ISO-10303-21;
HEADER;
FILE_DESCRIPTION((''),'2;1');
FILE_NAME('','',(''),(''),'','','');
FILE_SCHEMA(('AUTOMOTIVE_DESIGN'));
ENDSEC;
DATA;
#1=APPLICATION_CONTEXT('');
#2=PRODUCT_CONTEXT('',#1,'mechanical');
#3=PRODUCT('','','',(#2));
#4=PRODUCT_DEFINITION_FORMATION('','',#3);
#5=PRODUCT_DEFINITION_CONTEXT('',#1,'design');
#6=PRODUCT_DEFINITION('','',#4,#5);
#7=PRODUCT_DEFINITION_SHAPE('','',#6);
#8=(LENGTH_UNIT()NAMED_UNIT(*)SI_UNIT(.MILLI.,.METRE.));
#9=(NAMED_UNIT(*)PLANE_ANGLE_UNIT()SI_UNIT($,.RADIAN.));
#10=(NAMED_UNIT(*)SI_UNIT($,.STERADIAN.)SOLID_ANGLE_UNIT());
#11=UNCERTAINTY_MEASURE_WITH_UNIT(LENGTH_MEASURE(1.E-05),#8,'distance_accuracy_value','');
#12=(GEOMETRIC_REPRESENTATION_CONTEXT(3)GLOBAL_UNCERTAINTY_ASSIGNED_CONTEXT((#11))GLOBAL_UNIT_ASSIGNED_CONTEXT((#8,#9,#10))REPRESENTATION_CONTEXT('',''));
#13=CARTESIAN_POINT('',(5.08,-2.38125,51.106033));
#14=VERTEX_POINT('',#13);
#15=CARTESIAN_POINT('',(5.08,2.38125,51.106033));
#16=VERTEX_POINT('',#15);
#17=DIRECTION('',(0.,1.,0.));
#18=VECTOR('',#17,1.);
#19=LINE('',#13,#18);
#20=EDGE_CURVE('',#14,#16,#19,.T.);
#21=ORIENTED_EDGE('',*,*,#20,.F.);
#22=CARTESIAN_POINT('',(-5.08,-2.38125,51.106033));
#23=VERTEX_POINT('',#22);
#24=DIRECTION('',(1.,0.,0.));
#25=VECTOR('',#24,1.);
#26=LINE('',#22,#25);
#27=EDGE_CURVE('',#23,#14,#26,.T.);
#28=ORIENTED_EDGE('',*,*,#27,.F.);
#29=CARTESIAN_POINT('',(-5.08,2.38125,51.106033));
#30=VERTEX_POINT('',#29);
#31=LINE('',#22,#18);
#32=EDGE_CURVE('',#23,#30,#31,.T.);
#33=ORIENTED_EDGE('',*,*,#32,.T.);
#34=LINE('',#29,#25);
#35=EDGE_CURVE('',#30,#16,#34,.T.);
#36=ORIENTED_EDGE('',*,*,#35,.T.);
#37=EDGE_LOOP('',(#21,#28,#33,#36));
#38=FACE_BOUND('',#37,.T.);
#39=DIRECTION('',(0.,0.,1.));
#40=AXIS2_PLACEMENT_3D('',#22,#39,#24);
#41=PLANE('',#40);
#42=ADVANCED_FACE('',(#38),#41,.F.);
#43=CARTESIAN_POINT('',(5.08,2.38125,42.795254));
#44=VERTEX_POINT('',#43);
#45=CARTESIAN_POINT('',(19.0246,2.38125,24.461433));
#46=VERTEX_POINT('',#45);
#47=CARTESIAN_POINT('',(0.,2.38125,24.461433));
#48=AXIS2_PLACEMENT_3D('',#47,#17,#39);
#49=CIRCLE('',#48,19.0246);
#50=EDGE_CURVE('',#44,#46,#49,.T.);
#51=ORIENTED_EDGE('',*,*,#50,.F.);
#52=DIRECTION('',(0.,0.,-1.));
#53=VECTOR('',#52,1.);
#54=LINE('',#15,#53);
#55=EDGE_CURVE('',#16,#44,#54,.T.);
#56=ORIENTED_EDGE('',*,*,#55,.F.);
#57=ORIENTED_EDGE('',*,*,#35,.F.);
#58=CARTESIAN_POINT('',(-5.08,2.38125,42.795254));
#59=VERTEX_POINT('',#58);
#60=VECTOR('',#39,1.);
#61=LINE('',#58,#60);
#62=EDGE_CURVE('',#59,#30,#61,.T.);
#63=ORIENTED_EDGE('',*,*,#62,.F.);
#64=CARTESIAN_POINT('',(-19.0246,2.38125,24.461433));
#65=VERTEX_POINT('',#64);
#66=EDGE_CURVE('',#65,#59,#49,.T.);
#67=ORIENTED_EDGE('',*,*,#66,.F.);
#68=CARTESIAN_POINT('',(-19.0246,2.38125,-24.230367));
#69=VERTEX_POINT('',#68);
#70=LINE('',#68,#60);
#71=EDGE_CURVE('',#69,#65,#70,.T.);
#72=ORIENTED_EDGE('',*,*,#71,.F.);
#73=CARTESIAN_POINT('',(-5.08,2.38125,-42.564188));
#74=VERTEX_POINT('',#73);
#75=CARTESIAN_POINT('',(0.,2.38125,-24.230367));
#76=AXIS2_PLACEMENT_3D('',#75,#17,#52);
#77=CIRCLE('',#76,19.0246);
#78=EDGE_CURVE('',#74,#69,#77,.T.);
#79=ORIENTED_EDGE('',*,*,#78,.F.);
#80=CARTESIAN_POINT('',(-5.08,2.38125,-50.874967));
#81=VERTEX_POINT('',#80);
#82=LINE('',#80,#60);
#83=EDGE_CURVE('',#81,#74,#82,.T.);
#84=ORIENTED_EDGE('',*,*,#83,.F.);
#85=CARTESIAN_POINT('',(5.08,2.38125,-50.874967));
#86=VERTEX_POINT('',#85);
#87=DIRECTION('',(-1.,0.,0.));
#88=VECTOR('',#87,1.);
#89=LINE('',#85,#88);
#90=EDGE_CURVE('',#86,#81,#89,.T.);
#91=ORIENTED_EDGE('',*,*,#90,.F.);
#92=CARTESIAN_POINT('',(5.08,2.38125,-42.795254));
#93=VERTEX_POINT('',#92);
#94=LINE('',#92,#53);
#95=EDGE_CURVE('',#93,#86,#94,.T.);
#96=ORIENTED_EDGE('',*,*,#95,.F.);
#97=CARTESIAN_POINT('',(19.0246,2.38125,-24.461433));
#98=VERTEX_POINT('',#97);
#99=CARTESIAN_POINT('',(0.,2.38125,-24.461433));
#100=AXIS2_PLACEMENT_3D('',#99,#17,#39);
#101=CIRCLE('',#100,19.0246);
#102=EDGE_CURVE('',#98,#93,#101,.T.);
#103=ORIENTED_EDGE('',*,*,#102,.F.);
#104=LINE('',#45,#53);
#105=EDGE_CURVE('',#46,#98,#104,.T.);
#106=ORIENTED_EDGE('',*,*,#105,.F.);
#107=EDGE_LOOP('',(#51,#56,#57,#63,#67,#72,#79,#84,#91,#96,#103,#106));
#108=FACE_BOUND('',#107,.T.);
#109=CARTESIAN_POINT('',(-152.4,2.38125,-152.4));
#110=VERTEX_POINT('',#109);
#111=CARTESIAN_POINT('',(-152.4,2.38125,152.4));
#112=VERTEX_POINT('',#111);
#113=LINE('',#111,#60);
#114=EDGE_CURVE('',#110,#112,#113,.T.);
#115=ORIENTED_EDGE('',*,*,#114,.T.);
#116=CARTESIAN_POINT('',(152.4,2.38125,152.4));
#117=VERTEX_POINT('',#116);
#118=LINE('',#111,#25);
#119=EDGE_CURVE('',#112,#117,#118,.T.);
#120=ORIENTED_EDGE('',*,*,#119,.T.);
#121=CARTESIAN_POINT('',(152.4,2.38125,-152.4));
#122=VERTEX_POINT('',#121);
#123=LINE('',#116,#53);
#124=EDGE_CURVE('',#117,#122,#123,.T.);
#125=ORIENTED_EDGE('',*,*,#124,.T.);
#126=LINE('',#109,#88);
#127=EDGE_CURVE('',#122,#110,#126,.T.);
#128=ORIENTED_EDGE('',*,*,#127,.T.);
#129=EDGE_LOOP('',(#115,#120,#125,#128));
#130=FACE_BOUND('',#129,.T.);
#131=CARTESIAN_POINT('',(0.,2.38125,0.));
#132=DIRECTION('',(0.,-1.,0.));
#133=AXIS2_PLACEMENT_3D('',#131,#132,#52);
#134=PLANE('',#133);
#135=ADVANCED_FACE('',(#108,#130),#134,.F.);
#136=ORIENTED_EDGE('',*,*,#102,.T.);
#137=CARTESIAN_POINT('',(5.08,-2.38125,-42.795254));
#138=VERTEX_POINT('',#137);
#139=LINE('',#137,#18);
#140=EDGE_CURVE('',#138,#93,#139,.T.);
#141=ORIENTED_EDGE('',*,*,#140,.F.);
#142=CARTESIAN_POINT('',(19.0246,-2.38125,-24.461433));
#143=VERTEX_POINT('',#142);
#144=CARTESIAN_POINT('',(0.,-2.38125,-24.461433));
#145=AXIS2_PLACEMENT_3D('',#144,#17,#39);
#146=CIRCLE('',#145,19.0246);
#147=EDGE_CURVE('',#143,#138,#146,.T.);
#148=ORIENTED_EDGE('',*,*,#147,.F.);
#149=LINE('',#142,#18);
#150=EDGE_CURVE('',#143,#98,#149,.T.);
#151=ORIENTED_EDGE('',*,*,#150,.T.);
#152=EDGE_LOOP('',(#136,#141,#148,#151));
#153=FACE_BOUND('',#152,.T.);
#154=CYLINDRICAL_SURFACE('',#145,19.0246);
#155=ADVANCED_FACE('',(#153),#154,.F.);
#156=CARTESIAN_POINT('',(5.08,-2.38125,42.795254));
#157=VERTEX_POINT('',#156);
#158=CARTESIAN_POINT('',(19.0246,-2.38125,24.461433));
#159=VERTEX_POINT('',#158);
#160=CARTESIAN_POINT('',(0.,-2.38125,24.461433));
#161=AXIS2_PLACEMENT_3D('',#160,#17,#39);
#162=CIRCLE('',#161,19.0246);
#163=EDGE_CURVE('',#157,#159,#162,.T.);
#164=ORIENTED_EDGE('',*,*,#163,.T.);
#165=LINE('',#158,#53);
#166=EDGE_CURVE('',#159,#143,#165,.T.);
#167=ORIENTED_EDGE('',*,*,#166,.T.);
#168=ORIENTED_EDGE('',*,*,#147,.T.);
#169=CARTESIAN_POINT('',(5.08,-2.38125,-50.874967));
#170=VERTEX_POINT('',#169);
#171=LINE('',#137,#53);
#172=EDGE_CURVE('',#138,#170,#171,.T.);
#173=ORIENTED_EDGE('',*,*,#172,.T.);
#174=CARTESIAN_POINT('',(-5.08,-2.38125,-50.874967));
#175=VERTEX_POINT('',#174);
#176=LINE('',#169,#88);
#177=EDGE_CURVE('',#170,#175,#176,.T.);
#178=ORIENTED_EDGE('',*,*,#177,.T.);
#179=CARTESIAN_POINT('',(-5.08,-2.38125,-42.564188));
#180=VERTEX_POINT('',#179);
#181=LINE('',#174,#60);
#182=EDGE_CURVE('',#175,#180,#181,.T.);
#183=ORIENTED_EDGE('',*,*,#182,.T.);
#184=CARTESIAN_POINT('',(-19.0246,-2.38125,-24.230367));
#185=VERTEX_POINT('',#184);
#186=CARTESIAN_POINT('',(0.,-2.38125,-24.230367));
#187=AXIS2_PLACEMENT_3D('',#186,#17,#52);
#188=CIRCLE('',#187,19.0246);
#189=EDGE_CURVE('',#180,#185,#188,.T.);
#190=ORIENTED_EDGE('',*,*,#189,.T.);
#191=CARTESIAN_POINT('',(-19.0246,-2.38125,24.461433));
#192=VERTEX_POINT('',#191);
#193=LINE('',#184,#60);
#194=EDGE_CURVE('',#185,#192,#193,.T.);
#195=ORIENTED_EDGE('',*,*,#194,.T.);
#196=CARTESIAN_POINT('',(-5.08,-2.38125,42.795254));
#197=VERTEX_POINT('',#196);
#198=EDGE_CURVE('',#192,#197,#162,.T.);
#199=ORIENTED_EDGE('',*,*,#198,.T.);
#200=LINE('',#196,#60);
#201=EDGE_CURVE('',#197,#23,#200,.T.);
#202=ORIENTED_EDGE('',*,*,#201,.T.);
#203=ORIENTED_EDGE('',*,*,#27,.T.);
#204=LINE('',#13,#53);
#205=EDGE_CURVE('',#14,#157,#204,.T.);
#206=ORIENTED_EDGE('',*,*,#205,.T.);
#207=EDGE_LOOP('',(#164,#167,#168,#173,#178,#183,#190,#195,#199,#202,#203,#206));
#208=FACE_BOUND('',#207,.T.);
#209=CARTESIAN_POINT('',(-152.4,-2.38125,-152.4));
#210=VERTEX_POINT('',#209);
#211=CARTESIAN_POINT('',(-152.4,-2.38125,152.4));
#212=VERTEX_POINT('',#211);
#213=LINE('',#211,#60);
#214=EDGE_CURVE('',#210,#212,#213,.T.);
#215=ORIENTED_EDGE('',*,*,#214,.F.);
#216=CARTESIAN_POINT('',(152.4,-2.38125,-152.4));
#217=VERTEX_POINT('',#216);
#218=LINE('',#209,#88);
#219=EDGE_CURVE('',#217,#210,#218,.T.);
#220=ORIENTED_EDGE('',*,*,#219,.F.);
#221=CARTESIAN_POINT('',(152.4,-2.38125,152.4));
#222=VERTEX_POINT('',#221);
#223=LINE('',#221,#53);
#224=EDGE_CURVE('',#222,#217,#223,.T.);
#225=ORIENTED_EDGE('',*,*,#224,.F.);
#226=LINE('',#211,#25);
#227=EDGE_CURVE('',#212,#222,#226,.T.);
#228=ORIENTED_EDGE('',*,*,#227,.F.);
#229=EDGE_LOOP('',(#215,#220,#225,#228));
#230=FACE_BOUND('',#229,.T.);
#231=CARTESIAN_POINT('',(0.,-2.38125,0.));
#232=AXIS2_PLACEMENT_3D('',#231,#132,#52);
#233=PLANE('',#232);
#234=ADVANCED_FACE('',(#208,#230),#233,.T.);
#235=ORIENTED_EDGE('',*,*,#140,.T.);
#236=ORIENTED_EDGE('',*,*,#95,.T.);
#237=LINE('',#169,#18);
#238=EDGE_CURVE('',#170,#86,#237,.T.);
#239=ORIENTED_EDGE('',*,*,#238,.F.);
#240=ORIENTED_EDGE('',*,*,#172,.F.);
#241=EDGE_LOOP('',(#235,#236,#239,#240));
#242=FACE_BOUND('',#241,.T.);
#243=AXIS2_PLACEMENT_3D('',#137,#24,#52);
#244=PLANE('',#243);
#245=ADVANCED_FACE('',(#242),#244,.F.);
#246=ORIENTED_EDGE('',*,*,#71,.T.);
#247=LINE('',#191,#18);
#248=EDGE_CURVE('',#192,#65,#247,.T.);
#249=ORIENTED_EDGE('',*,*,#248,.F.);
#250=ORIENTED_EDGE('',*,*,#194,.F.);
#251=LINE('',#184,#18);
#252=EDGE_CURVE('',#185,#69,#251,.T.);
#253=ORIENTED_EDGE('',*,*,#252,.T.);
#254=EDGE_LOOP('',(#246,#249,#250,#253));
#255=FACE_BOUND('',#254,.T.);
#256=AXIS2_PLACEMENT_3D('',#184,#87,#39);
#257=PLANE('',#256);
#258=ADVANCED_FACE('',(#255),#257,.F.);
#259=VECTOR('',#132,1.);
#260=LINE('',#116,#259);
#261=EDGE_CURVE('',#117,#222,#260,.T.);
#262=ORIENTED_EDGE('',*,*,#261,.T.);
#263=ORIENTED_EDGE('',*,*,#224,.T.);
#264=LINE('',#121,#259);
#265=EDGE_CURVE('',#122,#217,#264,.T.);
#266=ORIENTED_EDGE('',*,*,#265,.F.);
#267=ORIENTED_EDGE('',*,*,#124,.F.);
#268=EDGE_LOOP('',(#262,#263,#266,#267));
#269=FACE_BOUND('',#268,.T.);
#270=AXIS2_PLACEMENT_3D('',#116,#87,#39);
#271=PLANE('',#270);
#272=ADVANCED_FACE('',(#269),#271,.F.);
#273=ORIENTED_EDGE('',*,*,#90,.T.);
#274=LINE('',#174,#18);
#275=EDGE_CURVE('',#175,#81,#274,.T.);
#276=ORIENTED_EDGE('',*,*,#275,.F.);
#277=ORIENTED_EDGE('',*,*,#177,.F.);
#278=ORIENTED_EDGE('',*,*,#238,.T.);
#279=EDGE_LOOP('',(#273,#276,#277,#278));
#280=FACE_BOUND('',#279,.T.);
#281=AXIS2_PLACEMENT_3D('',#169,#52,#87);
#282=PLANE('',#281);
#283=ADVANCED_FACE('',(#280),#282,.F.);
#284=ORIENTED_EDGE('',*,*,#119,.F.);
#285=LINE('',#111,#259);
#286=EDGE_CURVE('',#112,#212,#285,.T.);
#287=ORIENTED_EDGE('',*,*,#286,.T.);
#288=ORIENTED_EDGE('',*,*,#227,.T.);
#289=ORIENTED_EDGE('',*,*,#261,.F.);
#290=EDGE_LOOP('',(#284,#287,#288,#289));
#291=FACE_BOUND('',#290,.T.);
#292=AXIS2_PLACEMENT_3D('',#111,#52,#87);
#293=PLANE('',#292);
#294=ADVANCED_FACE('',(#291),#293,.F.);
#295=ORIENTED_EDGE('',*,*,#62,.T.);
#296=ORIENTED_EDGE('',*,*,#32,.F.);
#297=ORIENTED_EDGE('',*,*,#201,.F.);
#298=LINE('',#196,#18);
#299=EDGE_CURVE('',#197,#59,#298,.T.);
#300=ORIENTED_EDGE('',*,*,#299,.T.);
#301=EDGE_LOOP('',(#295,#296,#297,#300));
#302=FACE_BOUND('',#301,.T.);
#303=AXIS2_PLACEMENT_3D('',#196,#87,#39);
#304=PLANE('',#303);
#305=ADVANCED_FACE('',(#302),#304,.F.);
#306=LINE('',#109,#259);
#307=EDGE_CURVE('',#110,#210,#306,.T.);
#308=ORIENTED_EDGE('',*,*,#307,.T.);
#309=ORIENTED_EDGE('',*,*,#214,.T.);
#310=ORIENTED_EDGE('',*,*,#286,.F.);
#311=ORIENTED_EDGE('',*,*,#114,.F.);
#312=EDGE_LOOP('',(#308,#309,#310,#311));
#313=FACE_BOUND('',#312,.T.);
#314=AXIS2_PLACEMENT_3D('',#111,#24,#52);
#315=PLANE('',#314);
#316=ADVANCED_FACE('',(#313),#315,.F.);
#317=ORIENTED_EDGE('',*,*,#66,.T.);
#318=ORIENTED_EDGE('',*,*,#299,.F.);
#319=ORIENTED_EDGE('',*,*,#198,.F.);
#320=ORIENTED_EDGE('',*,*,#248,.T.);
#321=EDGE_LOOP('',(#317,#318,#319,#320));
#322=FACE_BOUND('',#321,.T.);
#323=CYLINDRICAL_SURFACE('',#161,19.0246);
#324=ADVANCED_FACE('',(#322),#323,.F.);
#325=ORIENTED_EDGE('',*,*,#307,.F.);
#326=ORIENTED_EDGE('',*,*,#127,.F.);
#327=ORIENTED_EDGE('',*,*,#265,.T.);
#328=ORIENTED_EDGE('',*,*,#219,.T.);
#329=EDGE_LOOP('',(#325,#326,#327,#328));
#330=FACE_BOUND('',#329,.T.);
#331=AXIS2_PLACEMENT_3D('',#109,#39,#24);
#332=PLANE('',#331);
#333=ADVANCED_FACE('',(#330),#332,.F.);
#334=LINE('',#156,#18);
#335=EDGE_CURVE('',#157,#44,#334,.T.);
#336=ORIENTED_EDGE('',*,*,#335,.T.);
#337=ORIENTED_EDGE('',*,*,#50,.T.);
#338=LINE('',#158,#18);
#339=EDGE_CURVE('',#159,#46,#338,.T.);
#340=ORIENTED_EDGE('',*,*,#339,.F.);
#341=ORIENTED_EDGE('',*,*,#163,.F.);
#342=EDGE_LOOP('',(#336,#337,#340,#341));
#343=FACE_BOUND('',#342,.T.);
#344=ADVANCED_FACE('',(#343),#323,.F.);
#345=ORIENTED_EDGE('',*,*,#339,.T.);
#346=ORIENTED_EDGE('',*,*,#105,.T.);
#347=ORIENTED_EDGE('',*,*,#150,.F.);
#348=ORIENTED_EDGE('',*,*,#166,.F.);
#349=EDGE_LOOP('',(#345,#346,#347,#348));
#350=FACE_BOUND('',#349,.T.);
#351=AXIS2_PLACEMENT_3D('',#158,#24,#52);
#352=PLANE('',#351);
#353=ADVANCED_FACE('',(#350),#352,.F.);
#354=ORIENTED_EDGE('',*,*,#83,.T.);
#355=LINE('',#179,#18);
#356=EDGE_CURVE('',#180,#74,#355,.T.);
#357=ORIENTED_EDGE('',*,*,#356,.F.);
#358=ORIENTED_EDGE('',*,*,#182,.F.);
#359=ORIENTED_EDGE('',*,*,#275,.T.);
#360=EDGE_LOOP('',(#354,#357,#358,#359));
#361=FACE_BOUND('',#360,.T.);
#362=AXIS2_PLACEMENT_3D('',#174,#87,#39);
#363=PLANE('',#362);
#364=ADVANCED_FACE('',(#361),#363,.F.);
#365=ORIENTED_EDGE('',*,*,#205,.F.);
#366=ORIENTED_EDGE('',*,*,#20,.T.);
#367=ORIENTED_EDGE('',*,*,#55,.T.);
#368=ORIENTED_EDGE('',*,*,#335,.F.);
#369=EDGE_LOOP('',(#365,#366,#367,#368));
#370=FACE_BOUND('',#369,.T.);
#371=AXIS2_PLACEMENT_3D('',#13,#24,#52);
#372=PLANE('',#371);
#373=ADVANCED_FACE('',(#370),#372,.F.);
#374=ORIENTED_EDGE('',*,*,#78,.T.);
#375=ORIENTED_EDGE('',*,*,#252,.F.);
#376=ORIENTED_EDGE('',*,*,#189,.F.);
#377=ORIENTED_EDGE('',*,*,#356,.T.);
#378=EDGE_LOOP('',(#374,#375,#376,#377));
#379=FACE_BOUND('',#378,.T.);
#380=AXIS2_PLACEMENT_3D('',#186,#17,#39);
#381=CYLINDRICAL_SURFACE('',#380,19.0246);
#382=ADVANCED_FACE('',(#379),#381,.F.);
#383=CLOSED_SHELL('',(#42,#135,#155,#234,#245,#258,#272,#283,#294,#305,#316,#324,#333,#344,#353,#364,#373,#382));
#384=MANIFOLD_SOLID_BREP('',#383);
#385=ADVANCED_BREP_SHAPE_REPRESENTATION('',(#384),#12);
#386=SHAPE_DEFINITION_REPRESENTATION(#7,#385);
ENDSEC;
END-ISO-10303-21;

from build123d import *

# Parameters (mm, degrees)
ESQUISSE1_W             = 304.8
ESQUISSE1_H             = 304.8
BOSS_EXTRU_1_DEPTH      = 2.38125
ENL_V_MAT_EXTRU_1_DEPTH = 216.578759172


with BuildPart() as part:
    # Esquisse1 → Boss.-Extru.1 (new, symmetric)
    with BuildSketch(Plane(origin=(0, 0, 0), x_dir=(1, 0, 0), z_dir=(0, 1, 0))):
        Rectangle(ESQUISSE1_W, ESQUISSE1_H)
    extrude(amount=BOSS_EXTRU_1_DEPTH, both=True)

    # Esquisse2 → Enlèv. mat.-Extru.1 (cut, through all)
    with BuildSketch(Plane(origin=(0, 2.38125, 0), x_dir=(1, 0, 0), z_dir=(0, 1, 0))):
        with BuildLine():
            Line((-5.08, -51.10603291), (5.08, -51.10603291))
            Line((5.08, -51.10603291), (5.08, -42.795254256))
            ThreePointArc((5.08, -42.795254256), (15.142330949, -35.978603508), (19.0246, -24.46143291))
            Line((19.0246, -24.46143291), (19.0246, 24.46143291))
            ThreePointArc((19.0246, 24.46143291), (15.142330949, 35.978603508), (5.08, 42.795254256))
            Line((5.08, 42.795254256), (5.08, 50.87496709))
            Line((5.08, 50.87496709), (-5.08, 50.87496709))
            Line((-5.08, 50.87496709), (-5.08, 42.564188437))
            ThreePointArc((-5.08, 42.564188437), (-15.142330949, 35.747537688), (-19.0246, 24.23036709))
            Line((-19.0246, 24.23036709), (-19.0246, -24.46143291))
            ThreePointArc((-19.0246, -24.46143291), (-15.142330949, -35.978603508), (-5.08, -42.795254256))
            Line((-5.08, -42.795254256), (-5.08, -51.10603291))
        make_face()
    extrude(amount=-ENL_V_MAT_EXTRU_1_DEPTH, mode=Mode.SUBTRACT)


solid = part.part
